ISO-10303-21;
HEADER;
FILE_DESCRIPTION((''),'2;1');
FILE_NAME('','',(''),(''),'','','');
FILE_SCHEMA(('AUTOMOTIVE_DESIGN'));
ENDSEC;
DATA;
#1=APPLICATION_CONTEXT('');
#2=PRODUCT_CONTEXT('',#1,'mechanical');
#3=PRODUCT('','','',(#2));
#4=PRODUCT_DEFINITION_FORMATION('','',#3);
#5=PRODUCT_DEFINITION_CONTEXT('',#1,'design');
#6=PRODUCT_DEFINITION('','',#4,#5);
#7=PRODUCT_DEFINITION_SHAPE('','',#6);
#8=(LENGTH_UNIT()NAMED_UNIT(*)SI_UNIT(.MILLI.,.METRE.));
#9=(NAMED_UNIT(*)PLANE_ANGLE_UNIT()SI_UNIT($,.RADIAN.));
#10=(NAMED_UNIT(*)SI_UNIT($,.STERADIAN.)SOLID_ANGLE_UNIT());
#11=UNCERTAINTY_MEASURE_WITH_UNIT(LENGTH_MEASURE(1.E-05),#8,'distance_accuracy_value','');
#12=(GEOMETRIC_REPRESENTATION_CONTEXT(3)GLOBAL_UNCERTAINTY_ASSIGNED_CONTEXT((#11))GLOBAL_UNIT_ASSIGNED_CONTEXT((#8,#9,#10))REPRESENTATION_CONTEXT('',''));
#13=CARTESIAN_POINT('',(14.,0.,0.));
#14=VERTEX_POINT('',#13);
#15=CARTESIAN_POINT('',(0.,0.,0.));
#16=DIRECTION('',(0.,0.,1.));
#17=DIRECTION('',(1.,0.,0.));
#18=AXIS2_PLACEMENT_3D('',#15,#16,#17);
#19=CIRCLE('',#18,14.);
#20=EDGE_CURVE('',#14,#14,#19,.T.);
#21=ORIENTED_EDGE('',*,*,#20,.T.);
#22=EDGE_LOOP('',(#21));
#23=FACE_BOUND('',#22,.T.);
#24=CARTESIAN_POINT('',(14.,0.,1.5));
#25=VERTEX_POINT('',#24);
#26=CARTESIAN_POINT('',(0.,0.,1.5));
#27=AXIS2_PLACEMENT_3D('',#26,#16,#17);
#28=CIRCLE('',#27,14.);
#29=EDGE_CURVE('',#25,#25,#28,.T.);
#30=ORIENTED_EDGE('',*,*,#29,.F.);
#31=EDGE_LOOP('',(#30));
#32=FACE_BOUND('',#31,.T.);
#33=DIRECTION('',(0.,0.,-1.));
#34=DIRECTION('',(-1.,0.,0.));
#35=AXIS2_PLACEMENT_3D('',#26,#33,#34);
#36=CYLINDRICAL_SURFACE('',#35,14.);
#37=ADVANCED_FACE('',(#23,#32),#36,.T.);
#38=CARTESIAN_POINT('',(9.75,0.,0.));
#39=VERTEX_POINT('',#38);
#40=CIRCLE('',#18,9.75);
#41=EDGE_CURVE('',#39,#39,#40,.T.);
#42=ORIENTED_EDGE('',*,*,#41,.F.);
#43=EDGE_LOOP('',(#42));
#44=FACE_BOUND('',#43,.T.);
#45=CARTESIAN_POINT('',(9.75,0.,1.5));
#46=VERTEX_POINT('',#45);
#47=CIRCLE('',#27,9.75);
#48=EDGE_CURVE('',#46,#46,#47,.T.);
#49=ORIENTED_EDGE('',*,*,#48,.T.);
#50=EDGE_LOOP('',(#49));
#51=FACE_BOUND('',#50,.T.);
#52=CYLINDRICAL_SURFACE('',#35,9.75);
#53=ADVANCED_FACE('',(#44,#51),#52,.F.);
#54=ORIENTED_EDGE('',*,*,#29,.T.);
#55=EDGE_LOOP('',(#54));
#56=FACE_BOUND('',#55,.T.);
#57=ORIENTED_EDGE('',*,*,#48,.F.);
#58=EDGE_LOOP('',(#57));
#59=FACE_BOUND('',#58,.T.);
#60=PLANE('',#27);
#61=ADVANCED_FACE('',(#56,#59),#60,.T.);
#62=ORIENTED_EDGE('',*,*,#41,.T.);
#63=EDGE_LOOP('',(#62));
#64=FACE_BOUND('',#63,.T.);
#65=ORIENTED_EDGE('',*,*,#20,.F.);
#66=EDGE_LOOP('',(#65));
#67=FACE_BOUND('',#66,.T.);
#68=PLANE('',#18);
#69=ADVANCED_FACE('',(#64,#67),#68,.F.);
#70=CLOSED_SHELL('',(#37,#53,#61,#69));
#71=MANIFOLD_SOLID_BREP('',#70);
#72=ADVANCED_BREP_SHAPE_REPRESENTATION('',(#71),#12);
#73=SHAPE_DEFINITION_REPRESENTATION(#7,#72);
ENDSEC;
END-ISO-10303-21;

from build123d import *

# Parameters (mm, degrees)
SKETCH_1_R      = 14
SKETCH_1_R_2    = 9.75
EXTRUDE_1_DEPTH = 1.5


with BuildPart() as part:
    # Эскиз1 → Вытянуть1 (new body)
    with BuildSketch(Plane.XY):
        Circle(SKETCH_1_R)
        Circle(SKETCH_1_R_2, mode=Mode.SUBTRACT)
    extrude(amount=EXTRUDE_1_DEPTH)


solid = part.part
